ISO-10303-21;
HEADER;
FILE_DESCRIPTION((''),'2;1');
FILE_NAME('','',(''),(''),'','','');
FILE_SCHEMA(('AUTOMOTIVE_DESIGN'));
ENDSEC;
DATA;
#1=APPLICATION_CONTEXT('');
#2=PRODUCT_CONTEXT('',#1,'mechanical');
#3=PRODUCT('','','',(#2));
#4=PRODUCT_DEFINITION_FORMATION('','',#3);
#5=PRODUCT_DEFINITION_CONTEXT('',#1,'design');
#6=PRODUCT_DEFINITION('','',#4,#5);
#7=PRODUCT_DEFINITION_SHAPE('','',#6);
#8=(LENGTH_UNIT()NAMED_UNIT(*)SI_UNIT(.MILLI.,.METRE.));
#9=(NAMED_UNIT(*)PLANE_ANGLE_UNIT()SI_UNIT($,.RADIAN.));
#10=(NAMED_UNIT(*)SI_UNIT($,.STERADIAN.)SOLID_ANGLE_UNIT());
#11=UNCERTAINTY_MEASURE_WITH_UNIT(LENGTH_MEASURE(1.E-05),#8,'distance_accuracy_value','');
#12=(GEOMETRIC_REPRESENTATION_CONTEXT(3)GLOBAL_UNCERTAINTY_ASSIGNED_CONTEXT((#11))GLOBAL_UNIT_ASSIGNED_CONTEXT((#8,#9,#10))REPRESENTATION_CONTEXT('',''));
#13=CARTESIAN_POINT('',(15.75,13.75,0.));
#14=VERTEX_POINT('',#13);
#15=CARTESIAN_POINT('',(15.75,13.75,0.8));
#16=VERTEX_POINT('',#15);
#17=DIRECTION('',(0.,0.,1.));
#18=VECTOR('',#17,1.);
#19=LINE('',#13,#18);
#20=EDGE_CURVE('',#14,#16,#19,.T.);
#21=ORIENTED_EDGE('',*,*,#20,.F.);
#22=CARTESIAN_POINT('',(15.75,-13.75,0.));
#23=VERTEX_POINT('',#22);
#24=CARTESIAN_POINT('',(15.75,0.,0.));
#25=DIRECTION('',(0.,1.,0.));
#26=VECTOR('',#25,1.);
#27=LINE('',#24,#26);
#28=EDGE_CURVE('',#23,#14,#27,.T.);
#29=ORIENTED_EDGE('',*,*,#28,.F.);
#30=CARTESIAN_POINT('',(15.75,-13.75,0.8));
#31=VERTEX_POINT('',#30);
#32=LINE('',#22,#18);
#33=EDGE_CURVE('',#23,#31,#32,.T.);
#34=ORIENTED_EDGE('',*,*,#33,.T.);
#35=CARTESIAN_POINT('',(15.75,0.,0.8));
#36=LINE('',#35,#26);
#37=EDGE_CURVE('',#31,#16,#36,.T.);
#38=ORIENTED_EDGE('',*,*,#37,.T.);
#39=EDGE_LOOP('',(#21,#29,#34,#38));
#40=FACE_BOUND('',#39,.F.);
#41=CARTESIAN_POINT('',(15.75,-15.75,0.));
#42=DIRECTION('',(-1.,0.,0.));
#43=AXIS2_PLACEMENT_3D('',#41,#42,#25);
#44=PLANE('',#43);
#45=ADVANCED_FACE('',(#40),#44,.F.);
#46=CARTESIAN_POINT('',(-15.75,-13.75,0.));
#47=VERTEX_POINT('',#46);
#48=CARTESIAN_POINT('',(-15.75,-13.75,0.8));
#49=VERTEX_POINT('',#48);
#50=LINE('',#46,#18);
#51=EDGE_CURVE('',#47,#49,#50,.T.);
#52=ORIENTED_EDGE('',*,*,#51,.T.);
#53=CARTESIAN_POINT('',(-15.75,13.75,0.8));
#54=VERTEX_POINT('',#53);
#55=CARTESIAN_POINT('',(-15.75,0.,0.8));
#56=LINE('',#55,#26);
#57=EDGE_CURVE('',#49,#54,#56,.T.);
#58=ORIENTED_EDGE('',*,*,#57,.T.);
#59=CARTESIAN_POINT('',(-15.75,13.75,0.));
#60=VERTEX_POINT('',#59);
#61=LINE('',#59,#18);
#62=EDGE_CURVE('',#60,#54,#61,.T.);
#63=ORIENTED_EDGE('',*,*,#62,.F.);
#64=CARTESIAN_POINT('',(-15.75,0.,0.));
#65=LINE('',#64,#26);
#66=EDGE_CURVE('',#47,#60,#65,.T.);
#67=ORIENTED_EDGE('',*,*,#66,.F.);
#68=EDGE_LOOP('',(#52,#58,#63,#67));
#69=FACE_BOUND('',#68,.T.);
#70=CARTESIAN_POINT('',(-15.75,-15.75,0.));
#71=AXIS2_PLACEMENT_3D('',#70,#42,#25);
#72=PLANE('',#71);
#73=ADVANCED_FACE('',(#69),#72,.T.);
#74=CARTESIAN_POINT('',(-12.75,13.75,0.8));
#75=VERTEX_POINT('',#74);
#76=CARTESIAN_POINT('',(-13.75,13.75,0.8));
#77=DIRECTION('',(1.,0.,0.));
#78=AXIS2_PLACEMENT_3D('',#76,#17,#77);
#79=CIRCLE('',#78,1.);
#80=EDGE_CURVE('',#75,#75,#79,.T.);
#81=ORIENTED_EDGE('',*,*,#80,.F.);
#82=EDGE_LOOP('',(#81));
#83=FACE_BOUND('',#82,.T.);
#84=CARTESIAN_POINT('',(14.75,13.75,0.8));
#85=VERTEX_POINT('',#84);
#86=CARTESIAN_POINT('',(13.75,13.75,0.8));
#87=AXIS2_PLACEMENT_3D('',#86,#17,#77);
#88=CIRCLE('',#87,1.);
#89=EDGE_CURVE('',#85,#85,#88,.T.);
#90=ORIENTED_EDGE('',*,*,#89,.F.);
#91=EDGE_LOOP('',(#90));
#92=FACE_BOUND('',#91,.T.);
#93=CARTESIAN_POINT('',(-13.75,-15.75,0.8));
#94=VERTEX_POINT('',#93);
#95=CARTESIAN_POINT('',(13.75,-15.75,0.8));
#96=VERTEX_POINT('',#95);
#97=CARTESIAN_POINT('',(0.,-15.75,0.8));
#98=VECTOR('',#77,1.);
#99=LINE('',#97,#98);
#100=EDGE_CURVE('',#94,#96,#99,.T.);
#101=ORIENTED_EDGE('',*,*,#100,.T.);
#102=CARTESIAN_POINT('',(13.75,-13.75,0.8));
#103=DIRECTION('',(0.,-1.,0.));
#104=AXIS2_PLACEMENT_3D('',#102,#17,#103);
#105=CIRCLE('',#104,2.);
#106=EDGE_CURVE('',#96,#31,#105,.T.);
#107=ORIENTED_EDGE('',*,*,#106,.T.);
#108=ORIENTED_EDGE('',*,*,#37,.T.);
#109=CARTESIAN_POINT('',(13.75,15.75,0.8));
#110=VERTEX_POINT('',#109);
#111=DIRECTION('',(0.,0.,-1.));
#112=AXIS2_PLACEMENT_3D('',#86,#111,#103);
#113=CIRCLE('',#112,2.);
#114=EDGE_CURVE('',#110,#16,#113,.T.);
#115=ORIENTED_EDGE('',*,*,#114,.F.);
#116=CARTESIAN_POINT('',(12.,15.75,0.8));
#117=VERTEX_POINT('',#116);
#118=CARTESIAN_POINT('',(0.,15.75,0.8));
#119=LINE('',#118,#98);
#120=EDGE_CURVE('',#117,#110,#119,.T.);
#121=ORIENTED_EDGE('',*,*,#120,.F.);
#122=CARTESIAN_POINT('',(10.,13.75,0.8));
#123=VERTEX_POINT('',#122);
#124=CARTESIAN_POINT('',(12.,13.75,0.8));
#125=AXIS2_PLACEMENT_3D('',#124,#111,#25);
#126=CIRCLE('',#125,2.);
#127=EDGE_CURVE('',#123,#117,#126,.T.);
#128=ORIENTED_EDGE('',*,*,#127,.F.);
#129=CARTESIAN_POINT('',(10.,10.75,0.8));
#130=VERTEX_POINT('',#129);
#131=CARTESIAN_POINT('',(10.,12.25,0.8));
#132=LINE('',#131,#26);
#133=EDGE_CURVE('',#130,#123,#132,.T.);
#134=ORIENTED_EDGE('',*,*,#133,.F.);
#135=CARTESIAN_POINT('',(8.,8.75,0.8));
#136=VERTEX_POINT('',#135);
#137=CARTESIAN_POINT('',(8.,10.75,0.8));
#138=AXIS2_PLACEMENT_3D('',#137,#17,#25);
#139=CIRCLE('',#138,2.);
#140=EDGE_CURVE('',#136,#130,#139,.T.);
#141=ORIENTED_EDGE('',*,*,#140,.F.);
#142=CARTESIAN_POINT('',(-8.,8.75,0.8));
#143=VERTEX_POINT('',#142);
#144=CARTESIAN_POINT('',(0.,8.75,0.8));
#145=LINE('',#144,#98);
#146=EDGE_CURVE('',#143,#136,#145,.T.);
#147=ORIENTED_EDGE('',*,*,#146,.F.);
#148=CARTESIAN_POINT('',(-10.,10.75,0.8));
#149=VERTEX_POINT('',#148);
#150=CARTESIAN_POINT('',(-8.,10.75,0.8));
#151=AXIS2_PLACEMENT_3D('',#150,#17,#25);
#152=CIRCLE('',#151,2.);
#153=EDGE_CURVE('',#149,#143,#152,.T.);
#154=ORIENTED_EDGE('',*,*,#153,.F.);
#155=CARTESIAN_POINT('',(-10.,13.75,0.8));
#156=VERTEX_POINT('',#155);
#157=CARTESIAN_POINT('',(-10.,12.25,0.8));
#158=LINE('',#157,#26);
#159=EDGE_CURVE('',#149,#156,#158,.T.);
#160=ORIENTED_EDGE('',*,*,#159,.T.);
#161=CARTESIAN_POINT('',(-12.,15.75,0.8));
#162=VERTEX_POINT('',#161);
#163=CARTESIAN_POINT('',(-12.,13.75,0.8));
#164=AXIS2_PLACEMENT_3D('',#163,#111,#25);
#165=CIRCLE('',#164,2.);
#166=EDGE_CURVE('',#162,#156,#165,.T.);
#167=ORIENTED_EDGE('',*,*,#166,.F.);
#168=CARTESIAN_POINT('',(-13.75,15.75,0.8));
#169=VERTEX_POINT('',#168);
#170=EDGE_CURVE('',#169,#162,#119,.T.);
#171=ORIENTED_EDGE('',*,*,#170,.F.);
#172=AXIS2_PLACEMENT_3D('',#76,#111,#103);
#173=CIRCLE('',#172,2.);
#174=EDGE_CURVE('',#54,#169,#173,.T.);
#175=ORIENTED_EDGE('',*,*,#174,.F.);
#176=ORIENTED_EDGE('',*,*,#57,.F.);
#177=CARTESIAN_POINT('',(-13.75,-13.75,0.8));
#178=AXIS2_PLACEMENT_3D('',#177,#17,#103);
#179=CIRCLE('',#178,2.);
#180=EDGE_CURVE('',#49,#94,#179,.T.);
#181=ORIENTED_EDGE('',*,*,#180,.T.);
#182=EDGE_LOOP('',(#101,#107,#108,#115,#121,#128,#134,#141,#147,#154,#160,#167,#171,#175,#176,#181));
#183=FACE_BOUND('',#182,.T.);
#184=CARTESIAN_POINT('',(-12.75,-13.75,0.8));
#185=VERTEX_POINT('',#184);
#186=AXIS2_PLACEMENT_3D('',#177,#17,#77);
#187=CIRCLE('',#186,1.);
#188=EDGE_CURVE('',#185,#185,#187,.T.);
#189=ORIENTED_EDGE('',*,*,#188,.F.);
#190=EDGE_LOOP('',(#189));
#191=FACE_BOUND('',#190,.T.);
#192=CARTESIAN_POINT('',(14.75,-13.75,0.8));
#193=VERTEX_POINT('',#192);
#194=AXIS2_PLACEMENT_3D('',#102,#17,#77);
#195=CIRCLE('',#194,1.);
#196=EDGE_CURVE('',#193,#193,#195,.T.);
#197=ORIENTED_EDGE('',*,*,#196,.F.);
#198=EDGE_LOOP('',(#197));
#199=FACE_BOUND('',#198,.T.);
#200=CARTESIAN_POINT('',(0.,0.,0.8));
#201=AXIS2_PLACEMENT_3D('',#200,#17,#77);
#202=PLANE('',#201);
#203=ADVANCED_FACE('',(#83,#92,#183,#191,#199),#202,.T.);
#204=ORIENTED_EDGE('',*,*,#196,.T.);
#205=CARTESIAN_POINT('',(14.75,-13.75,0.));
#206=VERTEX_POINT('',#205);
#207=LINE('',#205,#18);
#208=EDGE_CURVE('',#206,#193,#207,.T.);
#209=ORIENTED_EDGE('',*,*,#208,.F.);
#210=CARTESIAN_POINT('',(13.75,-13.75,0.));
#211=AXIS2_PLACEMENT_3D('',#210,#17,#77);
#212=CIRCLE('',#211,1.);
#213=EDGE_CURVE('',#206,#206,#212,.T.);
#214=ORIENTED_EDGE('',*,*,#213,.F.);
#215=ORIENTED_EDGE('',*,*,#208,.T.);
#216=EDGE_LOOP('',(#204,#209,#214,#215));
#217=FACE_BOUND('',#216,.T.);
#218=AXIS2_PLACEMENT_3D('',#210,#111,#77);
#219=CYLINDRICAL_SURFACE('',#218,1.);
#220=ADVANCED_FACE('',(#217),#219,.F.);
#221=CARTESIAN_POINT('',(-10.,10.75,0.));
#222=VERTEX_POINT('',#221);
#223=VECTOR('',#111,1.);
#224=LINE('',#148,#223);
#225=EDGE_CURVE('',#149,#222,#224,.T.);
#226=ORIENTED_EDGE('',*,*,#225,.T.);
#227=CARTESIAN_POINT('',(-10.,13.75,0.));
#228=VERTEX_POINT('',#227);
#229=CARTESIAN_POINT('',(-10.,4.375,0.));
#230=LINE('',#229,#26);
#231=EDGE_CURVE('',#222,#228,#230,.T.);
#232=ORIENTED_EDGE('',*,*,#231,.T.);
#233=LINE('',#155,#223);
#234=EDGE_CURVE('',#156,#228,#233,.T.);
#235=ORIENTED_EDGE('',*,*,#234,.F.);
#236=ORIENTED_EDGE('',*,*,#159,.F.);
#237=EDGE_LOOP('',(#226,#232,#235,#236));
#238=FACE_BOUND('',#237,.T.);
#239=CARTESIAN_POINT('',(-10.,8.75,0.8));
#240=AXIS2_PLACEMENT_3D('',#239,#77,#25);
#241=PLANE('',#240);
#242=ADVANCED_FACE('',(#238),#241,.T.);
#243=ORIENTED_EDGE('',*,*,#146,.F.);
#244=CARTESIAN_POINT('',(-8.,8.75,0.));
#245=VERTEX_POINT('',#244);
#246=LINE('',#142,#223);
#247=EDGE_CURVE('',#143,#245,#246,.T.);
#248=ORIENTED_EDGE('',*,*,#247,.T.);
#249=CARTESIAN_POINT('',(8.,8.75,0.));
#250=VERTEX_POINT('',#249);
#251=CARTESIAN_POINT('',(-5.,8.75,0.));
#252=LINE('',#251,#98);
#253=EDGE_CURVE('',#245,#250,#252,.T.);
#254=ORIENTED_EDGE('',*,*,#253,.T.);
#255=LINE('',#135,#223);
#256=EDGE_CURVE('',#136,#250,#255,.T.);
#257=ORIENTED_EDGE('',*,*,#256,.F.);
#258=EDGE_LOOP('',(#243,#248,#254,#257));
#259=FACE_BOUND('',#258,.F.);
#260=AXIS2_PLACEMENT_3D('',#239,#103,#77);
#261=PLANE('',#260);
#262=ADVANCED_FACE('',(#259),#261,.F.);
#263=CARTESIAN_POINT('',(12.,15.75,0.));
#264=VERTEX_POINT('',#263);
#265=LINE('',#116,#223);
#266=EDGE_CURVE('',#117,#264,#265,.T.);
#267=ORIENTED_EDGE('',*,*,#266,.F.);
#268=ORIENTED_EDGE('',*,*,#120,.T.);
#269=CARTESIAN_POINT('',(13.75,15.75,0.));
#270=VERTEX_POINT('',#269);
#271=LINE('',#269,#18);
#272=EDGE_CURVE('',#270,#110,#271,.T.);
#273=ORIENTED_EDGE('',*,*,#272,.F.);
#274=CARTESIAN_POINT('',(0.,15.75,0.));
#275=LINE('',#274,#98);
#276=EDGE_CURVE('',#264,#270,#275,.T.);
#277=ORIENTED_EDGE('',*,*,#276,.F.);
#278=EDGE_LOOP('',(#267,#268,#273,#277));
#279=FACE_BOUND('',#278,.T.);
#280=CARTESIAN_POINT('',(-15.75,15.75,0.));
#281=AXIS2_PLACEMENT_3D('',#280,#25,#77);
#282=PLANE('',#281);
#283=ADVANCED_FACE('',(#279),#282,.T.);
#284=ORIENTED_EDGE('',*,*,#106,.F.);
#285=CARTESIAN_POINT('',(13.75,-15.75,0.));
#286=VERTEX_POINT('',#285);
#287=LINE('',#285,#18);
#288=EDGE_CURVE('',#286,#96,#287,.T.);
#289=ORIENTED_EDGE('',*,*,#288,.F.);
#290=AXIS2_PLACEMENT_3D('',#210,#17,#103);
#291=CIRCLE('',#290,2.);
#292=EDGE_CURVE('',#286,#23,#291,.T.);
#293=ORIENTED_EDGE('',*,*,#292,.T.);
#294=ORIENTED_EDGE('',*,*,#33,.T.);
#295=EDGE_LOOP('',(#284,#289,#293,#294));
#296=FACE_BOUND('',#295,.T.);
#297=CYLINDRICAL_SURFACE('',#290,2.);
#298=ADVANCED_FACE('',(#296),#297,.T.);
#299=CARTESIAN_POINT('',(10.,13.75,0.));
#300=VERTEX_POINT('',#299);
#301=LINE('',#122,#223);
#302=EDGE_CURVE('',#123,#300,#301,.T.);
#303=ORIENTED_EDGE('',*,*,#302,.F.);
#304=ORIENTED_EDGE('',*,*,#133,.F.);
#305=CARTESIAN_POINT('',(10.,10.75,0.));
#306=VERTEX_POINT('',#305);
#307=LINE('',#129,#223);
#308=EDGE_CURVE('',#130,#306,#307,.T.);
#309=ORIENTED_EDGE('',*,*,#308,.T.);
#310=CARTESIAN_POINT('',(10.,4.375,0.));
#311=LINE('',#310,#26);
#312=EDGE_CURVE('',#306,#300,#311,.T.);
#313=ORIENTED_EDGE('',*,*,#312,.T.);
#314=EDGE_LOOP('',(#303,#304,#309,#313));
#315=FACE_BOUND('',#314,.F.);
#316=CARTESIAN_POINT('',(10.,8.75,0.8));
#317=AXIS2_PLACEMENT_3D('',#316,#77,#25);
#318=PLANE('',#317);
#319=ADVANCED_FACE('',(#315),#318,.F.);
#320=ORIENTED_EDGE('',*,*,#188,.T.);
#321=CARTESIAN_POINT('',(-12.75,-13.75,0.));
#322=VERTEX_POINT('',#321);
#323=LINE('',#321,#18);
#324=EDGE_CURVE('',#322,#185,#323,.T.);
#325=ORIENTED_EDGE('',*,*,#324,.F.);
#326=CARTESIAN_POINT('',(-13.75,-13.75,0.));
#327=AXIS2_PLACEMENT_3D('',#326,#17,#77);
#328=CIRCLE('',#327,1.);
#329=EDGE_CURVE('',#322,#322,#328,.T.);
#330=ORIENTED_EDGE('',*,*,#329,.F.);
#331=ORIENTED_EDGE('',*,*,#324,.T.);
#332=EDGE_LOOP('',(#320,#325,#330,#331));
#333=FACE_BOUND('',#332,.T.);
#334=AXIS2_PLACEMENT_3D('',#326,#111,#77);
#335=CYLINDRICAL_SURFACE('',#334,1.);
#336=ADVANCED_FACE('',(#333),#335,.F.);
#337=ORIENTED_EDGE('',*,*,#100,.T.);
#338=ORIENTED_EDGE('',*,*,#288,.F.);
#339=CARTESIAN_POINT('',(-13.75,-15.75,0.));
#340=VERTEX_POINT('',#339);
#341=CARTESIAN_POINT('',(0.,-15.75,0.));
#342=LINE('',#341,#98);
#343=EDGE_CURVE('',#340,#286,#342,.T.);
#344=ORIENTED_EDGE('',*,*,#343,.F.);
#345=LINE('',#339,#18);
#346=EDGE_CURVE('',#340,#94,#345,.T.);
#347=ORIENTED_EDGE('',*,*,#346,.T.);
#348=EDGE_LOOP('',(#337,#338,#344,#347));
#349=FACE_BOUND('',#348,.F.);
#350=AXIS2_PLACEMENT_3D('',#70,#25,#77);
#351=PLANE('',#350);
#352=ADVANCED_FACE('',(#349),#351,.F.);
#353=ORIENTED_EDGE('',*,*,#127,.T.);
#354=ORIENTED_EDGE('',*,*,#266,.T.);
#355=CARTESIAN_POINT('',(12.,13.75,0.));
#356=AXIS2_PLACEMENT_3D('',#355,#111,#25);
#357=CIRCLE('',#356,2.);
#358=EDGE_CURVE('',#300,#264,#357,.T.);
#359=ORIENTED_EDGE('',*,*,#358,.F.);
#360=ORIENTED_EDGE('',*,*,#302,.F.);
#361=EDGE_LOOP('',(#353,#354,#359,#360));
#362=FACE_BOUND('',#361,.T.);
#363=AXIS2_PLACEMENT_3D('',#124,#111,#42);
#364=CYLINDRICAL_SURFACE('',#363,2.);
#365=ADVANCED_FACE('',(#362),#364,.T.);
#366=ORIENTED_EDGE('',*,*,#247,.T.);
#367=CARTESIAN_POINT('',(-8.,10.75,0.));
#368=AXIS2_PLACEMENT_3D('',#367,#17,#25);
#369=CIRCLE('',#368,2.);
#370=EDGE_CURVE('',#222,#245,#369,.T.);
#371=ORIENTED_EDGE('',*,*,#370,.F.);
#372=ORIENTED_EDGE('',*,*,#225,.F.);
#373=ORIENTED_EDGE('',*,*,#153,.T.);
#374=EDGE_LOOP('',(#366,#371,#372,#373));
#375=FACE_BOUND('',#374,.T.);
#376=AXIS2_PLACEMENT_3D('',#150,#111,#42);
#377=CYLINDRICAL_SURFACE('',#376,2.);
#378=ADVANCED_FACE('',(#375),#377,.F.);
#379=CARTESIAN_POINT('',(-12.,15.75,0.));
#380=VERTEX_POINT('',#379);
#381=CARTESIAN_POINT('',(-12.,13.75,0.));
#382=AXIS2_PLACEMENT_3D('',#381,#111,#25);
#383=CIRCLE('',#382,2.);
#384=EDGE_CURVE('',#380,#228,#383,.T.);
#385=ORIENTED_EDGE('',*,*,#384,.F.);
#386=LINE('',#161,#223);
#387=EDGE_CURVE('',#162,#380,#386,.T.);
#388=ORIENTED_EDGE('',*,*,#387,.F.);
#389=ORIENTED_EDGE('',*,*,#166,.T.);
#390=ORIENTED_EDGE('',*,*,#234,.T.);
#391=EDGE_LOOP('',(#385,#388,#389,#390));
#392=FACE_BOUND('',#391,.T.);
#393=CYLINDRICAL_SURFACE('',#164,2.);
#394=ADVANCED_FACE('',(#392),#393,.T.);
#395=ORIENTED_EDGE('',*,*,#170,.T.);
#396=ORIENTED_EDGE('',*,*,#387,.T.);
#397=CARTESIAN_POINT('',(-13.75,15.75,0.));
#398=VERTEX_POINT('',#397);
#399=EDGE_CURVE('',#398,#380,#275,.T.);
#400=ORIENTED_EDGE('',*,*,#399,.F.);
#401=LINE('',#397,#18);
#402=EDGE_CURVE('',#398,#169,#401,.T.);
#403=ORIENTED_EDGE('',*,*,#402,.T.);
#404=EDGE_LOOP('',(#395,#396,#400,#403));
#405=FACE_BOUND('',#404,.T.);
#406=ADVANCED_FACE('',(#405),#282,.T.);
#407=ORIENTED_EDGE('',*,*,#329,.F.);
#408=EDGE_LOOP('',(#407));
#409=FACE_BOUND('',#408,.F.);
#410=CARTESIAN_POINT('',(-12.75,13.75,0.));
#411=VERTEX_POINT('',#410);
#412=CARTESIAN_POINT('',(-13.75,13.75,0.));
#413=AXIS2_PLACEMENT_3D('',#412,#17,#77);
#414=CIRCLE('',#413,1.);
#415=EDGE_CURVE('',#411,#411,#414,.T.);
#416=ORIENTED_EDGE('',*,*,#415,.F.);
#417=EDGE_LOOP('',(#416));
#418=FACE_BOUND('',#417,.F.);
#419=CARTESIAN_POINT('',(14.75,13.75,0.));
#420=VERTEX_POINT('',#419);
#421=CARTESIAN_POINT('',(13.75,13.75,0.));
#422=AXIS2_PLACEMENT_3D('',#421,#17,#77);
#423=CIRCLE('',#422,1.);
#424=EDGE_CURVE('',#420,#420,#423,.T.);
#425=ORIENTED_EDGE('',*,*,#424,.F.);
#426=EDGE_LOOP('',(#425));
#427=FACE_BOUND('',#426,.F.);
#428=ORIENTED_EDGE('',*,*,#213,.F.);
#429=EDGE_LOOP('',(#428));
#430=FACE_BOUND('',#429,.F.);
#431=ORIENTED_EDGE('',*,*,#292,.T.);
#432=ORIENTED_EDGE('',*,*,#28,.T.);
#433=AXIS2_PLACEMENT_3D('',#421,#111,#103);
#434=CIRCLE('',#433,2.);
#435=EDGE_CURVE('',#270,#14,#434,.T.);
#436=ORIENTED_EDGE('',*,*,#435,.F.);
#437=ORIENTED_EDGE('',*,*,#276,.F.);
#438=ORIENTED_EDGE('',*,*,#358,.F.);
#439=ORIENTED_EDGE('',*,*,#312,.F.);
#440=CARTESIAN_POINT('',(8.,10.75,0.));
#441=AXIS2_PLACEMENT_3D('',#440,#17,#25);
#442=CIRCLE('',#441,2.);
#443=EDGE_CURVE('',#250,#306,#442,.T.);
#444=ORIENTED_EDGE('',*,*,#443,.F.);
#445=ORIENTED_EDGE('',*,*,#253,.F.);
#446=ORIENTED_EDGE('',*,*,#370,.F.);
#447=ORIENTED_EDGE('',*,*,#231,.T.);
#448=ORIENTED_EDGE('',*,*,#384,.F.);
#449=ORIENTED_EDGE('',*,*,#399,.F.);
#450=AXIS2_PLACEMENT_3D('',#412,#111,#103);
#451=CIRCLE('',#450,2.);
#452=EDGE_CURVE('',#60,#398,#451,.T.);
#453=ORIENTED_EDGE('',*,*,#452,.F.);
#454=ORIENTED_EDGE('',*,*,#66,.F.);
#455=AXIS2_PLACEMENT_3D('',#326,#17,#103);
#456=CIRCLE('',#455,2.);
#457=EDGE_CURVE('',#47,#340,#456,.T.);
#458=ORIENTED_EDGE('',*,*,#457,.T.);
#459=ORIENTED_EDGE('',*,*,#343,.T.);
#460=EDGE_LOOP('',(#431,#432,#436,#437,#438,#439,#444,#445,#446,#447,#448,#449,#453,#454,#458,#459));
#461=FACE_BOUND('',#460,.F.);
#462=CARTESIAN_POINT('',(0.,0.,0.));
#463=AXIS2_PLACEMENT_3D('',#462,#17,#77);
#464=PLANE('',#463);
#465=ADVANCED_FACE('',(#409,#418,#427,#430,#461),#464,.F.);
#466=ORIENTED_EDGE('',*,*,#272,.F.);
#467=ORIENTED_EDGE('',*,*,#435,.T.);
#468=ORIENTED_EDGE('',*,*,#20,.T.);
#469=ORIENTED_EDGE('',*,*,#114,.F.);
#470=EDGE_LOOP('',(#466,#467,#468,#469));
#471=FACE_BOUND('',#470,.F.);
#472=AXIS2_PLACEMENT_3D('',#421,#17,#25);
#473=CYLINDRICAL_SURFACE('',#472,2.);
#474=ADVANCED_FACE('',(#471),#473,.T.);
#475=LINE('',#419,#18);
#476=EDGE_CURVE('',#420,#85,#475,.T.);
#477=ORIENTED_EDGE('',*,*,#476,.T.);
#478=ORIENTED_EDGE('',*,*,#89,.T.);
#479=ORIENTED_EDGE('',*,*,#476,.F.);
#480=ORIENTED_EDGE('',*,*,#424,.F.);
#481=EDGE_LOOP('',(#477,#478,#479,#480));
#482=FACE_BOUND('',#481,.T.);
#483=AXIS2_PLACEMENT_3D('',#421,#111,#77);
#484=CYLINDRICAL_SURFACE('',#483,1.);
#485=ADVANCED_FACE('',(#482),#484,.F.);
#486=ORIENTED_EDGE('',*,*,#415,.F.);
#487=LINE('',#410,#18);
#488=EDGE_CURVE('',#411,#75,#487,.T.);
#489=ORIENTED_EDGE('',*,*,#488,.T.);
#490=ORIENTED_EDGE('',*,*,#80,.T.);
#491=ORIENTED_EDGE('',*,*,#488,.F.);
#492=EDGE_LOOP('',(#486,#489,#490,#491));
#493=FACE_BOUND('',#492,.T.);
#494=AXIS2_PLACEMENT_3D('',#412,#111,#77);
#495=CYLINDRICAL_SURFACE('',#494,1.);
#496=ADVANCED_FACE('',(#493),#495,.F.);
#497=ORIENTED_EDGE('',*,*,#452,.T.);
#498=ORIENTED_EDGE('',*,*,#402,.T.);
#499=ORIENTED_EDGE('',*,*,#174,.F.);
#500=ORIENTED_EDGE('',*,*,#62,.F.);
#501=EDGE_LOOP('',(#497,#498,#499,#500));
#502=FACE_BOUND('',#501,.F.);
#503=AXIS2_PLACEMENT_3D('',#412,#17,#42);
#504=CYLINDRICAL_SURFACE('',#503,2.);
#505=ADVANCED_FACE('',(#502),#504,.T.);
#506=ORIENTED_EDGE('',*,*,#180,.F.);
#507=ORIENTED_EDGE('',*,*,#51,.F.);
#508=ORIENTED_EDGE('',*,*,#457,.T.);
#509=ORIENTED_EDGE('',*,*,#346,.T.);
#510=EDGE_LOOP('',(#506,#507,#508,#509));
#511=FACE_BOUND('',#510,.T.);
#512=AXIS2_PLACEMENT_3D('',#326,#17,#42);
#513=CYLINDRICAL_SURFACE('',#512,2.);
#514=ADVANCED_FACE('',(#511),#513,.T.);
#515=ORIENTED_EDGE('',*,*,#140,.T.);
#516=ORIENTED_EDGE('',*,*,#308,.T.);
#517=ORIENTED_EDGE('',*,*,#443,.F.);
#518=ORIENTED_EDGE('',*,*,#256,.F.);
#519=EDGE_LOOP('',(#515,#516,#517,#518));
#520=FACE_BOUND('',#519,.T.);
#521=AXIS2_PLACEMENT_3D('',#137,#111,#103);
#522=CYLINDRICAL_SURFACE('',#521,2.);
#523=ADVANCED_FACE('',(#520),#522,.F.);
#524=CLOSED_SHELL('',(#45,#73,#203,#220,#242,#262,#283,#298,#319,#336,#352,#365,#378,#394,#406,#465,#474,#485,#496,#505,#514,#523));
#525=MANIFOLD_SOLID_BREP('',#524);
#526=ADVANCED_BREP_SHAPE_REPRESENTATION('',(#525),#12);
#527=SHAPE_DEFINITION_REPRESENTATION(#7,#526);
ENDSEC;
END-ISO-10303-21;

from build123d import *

# Parameters (mm, degrees)
SKETCH_W     = 31.5
SKETCH_H     = 31.5
SKETCH_R     = 1
PAD_DEPTH    = 0.8
FILLET_R     = 2
SKETCH001_W  = 20
SKETCH001_H  = 7
POCKET_DEPTH = 0.801
FILLET001_R  = 2


with BuildPart() as part:
    # Sketch → Pad (new body)
    with BuildSketch(Plane.XY):
        Rectangle(SKETCH_W, SKETCH_H)
        with Locations((-13.75, 13.75)):
            Circle(SKETCH_R, mode=Mode.SUBTRACT)
        with Locations((13.75, 13.75)):
            Circle(SKETCH_R, mode=Mode.SUBTRACT)
        with Locations((-13.75, -13.75)):
            Circle(SKETCH_R, mode=Mode.SUBTRACT)
        with Locations((13.75, -13.75)):
            Circle(SKETCH_R, mode=Mode.SUBTRACT)
    extrude(amount=PAD_DEPTH)

    # Fillet
    fillet_edges = [part.edges().sort_by_distance(p)[0] for p in [
        (-15.75, 15.75, 0.4),
        (-15.75, -15.75, 0.4),
        (15.75, -15.75, 0.4),
        (15.75, 15.75, 0.4),
    ]]
    fillet(fillet_edges, radius=FILLET_R)

    # Sketch001 (on Face5 of Fillet) → Pocket (cut, through all)
    with BuildSketch(Plane.XY.offset(0.8)):
        with Locations((0, 12.25)):
            Rectangle(SKETCH001_W, SKETCH001_H)
    extrude(amount=-POCKET_DEPTH, mode=Mode.SUBTRACT)

    # Fillet001
    fillet001_edges = [part.edges().sort_by_distance(p)[0] for p in [
        (-10, 15.75, 0.4),
        (-10, 8.75, 0.4),
        (10, 8.75, 0.4),
        (10, 15.75, 0.4),
    ]]
    fillet(fillet001_edges, radius=FILLET001_R)


solid = part.part
